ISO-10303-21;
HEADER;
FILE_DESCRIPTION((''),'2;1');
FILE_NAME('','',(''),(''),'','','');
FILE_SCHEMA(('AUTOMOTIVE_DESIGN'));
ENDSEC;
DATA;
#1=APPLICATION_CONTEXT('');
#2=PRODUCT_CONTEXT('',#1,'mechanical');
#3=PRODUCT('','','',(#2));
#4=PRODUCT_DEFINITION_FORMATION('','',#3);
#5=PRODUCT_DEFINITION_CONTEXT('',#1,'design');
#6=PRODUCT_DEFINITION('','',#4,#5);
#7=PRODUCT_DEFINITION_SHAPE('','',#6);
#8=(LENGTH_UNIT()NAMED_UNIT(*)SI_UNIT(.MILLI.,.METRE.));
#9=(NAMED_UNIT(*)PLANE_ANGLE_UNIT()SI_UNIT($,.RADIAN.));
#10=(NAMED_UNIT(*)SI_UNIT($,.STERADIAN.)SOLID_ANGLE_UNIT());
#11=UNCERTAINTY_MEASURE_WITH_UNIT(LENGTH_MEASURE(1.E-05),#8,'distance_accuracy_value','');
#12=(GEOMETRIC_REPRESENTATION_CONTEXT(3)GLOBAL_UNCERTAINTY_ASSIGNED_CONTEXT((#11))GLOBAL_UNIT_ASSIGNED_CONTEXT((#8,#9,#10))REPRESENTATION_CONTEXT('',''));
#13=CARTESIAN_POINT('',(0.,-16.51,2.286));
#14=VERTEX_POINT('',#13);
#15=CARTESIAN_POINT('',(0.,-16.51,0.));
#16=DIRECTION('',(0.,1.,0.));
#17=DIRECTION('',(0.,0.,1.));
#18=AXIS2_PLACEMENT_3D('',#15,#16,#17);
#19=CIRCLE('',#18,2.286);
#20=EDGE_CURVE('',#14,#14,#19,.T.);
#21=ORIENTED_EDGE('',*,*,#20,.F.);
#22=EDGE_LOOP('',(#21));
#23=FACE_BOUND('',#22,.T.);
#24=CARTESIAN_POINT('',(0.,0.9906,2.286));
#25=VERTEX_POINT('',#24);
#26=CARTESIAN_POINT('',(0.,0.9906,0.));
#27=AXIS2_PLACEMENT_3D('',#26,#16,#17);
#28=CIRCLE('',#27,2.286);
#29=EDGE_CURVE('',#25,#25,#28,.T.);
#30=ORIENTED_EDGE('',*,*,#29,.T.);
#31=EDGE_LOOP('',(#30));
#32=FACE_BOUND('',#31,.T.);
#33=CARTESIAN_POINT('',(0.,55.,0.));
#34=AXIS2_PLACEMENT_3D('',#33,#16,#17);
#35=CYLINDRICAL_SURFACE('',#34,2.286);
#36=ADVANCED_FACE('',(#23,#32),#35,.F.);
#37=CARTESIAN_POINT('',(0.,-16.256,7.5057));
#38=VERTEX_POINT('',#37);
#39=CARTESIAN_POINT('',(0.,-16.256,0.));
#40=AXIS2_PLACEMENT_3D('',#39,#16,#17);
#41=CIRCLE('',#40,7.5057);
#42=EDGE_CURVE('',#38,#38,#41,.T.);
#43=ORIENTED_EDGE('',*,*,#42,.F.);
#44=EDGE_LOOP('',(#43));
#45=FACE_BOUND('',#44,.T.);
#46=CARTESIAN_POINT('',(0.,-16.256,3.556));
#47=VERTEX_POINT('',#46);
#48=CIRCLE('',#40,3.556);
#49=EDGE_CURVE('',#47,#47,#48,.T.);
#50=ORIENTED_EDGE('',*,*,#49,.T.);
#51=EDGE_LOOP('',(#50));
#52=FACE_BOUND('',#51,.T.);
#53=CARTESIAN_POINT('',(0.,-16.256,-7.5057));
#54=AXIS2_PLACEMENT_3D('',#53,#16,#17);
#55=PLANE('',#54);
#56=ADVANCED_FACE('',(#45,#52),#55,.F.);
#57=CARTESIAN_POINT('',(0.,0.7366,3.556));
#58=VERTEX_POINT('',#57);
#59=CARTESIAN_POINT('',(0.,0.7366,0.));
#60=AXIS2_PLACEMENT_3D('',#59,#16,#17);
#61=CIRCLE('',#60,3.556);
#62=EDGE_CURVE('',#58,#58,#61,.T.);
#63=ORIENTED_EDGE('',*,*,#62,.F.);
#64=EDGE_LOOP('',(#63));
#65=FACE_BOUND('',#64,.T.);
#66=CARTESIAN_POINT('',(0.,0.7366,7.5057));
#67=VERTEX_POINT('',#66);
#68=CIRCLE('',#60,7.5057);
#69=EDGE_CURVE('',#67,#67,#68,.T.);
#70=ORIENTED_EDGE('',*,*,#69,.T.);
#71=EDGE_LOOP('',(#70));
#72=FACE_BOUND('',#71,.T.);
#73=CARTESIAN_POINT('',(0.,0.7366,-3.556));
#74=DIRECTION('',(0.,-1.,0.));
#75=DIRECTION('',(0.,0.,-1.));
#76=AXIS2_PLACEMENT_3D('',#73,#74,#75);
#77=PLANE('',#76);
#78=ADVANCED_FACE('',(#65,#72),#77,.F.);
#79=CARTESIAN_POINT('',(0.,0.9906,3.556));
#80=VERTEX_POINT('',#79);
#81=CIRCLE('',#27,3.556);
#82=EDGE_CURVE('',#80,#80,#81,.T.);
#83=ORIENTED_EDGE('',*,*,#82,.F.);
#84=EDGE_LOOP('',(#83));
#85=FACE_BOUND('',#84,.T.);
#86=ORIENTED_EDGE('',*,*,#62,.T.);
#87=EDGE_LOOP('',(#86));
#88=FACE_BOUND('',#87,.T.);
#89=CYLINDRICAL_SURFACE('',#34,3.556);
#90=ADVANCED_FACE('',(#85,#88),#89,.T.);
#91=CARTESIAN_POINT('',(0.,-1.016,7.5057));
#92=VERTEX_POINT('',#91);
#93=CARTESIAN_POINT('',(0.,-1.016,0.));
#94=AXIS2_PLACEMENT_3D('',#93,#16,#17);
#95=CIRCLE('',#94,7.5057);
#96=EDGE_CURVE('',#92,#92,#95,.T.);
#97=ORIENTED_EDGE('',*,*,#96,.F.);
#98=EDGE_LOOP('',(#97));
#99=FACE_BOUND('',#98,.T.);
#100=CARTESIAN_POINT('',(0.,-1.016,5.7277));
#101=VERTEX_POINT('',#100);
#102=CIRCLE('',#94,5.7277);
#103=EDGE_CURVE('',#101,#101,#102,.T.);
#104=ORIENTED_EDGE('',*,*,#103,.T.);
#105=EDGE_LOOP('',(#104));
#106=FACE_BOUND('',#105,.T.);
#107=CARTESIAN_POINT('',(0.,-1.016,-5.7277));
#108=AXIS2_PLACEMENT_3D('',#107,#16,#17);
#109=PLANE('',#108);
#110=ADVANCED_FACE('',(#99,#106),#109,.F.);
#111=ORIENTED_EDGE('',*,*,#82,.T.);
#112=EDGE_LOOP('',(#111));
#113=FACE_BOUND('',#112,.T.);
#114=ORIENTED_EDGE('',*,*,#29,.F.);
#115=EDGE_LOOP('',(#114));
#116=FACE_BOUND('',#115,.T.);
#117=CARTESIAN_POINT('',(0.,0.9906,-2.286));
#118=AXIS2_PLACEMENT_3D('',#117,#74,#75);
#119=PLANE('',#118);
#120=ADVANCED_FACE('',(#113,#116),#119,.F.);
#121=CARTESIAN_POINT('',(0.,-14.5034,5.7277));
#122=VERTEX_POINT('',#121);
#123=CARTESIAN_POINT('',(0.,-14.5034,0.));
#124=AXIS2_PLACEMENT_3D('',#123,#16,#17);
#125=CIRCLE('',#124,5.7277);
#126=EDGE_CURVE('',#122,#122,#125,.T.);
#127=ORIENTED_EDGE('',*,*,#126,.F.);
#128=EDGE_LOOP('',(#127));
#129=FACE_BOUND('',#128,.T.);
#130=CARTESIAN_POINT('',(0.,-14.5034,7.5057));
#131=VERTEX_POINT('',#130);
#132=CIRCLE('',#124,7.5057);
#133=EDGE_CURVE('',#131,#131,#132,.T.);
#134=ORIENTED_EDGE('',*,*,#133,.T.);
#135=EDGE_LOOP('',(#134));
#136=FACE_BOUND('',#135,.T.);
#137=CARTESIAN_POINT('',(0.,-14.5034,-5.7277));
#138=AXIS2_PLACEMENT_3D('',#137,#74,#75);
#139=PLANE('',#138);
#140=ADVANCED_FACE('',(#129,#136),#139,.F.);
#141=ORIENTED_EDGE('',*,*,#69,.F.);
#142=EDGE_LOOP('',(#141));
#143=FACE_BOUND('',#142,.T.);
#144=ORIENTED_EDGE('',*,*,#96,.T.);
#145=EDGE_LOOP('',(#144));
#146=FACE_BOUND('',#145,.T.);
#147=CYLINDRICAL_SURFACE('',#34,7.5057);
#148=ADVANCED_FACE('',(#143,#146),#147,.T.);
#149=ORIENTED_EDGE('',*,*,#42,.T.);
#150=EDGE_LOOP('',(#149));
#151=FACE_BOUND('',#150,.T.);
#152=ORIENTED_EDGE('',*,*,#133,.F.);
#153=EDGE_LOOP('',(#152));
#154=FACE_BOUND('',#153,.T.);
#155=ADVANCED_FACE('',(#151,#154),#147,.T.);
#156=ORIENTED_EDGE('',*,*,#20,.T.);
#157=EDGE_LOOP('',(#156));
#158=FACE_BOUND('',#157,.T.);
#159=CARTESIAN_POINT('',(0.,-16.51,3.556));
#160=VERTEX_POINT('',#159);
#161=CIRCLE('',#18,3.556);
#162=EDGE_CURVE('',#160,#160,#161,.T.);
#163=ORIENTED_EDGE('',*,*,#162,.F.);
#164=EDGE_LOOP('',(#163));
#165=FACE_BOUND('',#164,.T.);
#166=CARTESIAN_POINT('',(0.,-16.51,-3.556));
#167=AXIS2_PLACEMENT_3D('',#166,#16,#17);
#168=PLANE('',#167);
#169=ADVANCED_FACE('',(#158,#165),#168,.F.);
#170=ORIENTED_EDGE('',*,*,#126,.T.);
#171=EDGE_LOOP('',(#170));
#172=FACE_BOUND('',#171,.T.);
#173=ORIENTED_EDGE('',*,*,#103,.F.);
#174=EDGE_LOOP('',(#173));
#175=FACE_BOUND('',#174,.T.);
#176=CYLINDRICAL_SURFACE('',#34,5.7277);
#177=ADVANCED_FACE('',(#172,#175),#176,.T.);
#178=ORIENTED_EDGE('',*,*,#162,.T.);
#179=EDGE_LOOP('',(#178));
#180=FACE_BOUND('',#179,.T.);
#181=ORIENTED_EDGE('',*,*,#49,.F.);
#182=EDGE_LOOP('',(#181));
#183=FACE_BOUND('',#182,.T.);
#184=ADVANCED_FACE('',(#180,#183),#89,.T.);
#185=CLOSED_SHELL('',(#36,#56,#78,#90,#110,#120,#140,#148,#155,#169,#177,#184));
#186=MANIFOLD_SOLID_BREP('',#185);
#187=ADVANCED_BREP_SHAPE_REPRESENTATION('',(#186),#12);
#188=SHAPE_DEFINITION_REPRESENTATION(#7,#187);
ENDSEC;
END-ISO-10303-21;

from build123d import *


with BuildPart() as part:
    # Sketch2 → Revolve1 (revolve)
    with BuildSketch(Plane(origin=(0, 0, 0), x_dir=(0, 0, -1), z_dir=(1, 0, 0))):
        Polygon((2.286, 0.9906), (3.556, 0.9906), (3.556, 0.7366), (7.5057, 0.7366), (7.5057, -1.016), (5.7277, -1.016), (5.7277, -14.5034), (7.5057, -14.5034), (7.5057, -16.256), (3.556, -16.256), (3.556, -16.51), (2.286, -16.51), align=None)
    revolve(axis=Axis((0, 55, 0), (0, -1, 0)))


solid = part.part
